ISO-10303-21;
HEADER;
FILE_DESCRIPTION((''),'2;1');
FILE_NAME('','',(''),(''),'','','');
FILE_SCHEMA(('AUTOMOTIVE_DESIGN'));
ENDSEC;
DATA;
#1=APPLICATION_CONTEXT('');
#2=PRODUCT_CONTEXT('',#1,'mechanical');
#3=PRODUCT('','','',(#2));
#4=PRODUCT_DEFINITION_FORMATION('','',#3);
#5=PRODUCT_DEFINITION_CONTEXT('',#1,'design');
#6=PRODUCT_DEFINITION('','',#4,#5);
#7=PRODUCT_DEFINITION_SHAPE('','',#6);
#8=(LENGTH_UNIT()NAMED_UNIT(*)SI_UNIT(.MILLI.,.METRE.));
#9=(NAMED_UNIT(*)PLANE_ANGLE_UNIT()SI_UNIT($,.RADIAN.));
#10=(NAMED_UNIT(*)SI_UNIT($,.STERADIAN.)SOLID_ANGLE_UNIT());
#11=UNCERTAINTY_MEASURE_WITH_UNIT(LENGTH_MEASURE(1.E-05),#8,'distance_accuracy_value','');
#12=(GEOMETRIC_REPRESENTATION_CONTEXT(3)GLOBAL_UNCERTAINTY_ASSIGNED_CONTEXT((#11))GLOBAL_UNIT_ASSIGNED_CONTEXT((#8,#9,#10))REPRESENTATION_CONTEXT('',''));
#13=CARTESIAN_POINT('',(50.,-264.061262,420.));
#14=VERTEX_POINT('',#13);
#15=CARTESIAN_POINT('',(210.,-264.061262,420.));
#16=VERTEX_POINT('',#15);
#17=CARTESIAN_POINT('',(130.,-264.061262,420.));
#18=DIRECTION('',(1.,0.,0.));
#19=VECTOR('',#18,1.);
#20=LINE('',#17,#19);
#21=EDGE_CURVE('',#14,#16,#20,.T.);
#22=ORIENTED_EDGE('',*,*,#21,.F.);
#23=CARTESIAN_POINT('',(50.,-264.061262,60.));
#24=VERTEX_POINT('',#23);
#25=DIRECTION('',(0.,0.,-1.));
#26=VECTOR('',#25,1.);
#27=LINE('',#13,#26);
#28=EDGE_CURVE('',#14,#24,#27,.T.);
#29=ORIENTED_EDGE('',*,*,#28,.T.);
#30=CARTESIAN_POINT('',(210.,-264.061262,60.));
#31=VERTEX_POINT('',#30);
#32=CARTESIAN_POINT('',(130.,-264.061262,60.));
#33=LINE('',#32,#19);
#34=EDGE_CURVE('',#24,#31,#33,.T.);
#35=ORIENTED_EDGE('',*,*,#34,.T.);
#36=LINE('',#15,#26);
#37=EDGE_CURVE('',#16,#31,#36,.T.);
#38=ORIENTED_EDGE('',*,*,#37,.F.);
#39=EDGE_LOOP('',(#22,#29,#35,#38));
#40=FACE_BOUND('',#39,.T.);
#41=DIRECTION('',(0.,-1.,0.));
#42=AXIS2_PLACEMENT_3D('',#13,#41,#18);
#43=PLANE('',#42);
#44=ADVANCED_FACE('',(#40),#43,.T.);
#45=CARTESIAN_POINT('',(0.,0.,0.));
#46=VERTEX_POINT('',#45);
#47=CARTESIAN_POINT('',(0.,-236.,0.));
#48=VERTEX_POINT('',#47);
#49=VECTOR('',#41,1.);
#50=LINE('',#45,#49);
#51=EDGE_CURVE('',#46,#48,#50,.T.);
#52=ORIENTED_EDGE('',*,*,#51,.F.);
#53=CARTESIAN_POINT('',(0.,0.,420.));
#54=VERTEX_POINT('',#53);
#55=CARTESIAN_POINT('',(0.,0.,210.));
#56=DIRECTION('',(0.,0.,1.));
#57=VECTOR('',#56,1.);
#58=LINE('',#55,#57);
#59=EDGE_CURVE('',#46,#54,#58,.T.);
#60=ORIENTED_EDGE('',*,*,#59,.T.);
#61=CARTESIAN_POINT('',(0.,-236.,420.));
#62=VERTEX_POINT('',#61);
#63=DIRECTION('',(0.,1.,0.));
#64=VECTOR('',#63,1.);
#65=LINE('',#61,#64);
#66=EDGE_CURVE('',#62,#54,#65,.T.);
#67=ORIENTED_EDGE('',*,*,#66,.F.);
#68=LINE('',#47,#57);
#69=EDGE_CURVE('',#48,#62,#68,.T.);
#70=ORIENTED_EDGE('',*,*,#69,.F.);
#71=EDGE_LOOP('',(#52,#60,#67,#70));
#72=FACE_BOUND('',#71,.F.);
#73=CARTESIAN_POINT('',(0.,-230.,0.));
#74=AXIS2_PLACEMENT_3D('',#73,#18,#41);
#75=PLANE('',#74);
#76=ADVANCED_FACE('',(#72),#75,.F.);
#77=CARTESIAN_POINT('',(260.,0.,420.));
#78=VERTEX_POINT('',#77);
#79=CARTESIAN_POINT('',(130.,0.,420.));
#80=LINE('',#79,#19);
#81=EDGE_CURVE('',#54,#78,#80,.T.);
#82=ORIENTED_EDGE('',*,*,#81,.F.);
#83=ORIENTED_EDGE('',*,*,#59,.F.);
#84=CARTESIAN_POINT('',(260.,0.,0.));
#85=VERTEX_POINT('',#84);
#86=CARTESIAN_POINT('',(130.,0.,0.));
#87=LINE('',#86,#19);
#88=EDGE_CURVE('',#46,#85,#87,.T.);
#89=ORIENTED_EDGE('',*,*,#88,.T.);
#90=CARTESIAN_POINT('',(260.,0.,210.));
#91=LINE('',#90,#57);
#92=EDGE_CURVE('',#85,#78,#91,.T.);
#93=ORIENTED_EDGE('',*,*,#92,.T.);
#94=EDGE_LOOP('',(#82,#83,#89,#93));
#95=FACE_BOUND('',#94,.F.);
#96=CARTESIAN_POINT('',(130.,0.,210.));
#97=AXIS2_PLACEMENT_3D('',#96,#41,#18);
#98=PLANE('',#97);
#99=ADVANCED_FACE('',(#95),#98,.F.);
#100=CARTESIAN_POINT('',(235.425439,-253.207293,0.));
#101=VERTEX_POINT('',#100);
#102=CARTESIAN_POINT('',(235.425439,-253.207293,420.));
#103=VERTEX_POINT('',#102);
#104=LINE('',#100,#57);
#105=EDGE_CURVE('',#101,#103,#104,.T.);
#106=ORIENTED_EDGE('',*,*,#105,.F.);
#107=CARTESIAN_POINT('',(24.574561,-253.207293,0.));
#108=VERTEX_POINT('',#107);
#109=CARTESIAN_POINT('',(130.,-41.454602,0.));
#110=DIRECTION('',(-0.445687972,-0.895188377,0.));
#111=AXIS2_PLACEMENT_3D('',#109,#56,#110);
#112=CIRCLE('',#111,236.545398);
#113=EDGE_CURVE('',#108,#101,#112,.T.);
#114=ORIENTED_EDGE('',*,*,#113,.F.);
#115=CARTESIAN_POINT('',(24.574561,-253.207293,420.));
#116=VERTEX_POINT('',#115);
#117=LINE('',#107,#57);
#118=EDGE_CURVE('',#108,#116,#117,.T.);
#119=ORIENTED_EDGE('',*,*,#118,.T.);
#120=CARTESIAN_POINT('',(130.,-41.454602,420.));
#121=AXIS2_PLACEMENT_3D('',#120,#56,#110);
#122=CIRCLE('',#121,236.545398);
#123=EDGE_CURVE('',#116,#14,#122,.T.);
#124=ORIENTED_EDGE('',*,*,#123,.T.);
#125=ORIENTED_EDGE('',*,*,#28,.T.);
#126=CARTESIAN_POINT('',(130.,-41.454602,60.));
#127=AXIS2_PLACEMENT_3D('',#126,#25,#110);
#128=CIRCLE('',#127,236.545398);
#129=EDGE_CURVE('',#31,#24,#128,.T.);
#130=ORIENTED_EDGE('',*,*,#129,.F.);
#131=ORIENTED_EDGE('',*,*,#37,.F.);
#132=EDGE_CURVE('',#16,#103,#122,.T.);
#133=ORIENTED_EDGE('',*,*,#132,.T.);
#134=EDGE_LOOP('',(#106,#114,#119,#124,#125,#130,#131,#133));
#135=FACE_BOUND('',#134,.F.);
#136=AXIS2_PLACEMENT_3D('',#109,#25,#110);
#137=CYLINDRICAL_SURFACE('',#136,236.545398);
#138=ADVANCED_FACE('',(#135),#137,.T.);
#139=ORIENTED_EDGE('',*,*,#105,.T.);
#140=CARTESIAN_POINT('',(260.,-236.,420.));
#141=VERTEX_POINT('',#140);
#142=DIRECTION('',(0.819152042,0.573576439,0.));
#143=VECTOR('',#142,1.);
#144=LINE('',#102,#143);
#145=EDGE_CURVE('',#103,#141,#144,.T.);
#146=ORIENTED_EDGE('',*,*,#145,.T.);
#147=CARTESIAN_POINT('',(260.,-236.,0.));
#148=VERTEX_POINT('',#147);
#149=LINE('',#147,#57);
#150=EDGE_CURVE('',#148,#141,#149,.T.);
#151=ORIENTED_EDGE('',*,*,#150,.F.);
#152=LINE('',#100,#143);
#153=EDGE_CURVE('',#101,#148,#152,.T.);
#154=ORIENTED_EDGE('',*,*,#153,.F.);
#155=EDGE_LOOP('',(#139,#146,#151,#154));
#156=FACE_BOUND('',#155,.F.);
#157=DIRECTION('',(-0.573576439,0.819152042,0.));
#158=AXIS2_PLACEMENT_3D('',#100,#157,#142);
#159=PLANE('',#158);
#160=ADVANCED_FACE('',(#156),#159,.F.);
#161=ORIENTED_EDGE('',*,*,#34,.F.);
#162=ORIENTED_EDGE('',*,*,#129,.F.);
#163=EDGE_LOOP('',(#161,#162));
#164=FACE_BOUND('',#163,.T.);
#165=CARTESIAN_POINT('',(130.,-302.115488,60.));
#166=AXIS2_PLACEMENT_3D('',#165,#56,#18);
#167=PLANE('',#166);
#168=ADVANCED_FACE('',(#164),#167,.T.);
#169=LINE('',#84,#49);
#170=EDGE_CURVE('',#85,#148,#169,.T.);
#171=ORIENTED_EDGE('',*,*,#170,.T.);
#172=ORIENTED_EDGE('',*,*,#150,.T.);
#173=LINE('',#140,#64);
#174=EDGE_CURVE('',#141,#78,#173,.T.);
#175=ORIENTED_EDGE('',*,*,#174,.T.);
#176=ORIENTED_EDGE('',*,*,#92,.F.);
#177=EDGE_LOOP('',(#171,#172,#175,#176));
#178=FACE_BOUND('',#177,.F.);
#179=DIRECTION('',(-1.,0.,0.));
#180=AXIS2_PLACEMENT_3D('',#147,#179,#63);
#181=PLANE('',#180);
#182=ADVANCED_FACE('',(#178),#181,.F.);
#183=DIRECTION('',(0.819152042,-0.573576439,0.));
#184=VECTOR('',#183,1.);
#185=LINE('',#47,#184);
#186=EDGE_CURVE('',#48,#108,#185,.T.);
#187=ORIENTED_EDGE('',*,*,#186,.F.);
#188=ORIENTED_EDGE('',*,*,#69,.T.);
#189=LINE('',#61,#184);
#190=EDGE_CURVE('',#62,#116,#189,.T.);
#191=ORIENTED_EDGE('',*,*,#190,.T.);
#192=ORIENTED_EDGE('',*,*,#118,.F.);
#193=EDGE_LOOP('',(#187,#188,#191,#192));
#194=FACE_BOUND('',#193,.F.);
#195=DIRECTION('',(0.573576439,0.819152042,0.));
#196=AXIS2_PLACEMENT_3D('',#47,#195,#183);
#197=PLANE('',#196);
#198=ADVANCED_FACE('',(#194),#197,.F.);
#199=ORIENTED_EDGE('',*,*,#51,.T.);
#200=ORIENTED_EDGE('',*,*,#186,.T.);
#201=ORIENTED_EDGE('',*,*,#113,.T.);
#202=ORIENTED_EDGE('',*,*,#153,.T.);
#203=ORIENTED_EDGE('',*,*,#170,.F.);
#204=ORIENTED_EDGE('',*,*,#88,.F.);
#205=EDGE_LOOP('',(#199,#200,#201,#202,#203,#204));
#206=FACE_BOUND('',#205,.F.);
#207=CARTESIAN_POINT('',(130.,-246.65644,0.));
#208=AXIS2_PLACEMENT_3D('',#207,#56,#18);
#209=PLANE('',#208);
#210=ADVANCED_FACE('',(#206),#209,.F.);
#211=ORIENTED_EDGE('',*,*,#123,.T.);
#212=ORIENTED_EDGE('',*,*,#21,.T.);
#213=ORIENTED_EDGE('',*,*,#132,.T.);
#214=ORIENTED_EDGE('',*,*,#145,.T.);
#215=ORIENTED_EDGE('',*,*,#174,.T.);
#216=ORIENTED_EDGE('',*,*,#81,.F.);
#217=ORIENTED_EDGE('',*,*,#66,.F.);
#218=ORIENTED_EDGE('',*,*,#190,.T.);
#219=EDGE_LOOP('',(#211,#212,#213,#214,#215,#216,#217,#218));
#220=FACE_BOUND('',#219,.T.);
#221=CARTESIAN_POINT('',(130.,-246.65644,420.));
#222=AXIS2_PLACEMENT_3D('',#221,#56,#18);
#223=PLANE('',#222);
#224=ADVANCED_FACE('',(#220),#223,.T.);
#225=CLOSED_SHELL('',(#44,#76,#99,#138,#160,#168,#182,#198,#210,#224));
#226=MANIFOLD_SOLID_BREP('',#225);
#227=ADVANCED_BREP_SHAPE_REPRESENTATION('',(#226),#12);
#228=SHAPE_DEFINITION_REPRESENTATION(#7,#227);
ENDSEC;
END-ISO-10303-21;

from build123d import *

# Parameters (mm, degrees)
F0_W     = 260
F0_H     = 420
F1_DEPTH = 230
F3_DEPTH = 420
F4_W     = 160
F4_H     = 76.108451
F5_DEPTH = 360


with BuildPart() as f1:
    # F0 (on Front) → F1 (new body)
    with BuildSketch(Plane.XZ):
        with Locations((130, 210)):
            Rectangle(F0_W, F0_H)
    extrude(amount=F1_DEPTH)

    # F2 (on Top) → F3 (join, through all)
    with BuildSketch(Plane.XY):
        with BuildLine():
            Line((260, -230), (0, -230))
            Line((0, -230), (0, -236))
            Line((0, -236), (24.574561, -253.207293))
            ThreePointArc((24.574561, -253.207293), (130, -278), (235.425439, -253.207293))
            Line((235.425439, -253.207293), (260, -236))
            Line((260, -236), (260, -230))
        make_face()
    extrude(amount=F3_DEPTH)

    # F4 (on face) → F5 (cut)
    with BuildSketch(Plane.XY.offset(420)):
        with Locations((130, -302.115488)):
            Rectangle(F4_W, F4_H)
    extrude(amount=-F5_DEPTH, mode=Mode.SUBTRACT)


solid = f1.part
